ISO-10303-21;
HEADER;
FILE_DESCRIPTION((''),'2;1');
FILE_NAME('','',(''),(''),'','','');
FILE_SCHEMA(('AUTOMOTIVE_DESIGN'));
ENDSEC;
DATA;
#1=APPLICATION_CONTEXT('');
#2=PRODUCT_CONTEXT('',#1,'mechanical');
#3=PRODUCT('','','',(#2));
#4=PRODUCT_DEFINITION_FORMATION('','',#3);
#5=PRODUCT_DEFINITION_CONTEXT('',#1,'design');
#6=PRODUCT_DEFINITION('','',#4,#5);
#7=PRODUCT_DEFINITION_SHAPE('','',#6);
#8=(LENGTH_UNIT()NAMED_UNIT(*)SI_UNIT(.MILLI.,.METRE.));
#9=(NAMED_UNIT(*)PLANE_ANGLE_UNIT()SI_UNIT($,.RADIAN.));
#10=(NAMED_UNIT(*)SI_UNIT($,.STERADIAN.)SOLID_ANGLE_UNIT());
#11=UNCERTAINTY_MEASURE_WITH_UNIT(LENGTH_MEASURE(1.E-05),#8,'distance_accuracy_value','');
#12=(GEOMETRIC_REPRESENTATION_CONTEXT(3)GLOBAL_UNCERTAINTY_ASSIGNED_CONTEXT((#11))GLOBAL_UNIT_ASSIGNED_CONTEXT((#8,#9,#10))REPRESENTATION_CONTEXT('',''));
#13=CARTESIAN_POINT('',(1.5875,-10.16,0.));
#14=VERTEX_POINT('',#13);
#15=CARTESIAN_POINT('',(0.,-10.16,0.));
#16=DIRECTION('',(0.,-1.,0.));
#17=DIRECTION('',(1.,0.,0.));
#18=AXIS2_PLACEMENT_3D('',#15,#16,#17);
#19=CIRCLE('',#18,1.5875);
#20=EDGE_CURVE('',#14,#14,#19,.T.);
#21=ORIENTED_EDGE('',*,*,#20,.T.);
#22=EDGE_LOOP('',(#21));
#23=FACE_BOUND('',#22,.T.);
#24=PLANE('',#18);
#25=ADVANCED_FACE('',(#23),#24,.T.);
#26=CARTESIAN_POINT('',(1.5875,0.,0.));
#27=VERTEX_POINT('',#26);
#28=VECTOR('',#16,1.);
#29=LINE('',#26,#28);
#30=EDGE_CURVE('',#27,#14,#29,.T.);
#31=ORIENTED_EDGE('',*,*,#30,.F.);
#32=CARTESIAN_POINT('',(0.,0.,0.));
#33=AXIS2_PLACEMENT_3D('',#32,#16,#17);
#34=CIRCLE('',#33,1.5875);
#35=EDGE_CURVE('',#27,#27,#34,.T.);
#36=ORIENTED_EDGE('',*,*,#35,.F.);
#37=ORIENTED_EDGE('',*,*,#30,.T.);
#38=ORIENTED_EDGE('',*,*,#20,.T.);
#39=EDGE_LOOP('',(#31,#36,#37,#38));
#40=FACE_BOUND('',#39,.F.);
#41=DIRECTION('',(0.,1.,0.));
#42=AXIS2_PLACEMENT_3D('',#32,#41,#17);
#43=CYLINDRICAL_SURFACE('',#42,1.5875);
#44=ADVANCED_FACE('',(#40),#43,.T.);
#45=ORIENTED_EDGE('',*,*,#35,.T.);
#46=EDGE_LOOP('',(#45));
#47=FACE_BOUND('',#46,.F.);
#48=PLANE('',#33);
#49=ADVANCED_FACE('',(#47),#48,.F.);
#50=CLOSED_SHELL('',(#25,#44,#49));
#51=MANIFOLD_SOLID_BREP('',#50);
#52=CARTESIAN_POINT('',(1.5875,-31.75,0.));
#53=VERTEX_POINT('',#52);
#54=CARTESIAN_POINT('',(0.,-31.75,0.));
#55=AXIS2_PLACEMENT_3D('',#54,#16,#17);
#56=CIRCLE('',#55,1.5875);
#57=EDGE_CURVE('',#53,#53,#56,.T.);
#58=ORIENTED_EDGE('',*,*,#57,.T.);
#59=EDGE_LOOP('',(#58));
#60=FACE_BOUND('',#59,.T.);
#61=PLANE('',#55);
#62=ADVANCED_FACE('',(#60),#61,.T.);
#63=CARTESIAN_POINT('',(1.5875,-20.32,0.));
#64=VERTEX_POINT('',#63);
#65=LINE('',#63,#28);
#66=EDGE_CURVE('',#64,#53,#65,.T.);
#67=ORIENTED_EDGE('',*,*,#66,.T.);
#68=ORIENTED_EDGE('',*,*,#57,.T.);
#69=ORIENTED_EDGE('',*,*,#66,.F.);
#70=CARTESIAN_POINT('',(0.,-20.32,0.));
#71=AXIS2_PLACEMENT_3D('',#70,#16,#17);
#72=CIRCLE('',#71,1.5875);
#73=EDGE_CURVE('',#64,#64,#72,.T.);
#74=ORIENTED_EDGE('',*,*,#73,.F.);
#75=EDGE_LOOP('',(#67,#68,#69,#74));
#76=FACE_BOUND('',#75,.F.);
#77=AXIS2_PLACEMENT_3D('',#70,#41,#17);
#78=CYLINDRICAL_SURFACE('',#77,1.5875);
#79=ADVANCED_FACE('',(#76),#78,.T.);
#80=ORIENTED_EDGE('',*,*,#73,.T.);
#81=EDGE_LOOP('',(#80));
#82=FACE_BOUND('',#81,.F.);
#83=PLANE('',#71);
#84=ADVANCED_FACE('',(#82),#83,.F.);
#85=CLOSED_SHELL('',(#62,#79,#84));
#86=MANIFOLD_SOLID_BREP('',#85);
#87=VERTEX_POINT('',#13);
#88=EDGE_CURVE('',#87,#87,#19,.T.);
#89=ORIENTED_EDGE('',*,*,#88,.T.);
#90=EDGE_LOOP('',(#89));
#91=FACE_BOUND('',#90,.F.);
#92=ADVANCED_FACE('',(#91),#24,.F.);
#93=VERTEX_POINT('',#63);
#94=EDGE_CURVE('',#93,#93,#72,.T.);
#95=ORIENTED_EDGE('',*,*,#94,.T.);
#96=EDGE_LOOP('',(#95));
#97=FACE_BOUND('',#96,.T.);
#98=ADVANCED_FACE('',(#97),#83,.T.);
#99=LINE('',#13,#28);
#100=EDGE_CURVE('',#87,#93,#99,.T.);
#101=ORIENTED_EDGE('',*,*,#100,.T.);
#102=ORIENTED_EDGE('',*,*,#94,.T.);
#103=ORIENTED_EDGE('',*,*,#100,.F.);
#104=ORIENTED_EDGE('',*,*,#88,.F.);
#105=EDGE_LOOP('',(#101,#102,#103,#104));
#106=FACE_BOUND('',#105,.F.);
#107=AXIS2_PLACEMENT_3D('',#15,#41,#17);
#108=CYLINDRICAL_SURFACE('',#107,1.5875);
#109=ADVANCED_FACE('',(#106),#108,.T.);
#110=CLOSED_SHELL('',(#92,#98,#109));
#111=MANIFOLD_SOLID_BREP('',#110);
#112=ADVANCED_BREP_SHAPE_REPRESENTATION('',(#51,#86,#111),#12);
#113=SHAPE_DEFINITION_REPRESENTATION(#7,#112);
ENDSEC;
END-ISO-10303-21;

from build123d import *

# Parameters (mm, degrees)
F0_R     = 1.5875
F1_DEPTH = 10.16
F2_R     = 1.5875
F3_DEPTH = 10.16
F4_R     = 1.5875
F5_DEPTH = 11.43


with BuildPart() as f1:
    # F0 (on Front) → F1 (new body)
    with BuildSketch(Plane.XZ):
        Circle(F0_R)
    extrude(amount=F1_DEPTH)


with BuildPart() as f3:
    # F2 (on face) → F3 (new body)
    with BuildSketch(Plane.XZ.offset(10.16)):
        Circle(F2_R)
    extrude(amount=F3_DEPTH)


with BuildPart() as f5:
    # F4 (on face) → F5 (new body)
    with BuildSketch(Plane.XZ.offset(20.32)):
        Circle(F4_R)
    extrude(amount=F5_DEPTH)


solid = Compound([f1.part, f3.part, f5.part])
